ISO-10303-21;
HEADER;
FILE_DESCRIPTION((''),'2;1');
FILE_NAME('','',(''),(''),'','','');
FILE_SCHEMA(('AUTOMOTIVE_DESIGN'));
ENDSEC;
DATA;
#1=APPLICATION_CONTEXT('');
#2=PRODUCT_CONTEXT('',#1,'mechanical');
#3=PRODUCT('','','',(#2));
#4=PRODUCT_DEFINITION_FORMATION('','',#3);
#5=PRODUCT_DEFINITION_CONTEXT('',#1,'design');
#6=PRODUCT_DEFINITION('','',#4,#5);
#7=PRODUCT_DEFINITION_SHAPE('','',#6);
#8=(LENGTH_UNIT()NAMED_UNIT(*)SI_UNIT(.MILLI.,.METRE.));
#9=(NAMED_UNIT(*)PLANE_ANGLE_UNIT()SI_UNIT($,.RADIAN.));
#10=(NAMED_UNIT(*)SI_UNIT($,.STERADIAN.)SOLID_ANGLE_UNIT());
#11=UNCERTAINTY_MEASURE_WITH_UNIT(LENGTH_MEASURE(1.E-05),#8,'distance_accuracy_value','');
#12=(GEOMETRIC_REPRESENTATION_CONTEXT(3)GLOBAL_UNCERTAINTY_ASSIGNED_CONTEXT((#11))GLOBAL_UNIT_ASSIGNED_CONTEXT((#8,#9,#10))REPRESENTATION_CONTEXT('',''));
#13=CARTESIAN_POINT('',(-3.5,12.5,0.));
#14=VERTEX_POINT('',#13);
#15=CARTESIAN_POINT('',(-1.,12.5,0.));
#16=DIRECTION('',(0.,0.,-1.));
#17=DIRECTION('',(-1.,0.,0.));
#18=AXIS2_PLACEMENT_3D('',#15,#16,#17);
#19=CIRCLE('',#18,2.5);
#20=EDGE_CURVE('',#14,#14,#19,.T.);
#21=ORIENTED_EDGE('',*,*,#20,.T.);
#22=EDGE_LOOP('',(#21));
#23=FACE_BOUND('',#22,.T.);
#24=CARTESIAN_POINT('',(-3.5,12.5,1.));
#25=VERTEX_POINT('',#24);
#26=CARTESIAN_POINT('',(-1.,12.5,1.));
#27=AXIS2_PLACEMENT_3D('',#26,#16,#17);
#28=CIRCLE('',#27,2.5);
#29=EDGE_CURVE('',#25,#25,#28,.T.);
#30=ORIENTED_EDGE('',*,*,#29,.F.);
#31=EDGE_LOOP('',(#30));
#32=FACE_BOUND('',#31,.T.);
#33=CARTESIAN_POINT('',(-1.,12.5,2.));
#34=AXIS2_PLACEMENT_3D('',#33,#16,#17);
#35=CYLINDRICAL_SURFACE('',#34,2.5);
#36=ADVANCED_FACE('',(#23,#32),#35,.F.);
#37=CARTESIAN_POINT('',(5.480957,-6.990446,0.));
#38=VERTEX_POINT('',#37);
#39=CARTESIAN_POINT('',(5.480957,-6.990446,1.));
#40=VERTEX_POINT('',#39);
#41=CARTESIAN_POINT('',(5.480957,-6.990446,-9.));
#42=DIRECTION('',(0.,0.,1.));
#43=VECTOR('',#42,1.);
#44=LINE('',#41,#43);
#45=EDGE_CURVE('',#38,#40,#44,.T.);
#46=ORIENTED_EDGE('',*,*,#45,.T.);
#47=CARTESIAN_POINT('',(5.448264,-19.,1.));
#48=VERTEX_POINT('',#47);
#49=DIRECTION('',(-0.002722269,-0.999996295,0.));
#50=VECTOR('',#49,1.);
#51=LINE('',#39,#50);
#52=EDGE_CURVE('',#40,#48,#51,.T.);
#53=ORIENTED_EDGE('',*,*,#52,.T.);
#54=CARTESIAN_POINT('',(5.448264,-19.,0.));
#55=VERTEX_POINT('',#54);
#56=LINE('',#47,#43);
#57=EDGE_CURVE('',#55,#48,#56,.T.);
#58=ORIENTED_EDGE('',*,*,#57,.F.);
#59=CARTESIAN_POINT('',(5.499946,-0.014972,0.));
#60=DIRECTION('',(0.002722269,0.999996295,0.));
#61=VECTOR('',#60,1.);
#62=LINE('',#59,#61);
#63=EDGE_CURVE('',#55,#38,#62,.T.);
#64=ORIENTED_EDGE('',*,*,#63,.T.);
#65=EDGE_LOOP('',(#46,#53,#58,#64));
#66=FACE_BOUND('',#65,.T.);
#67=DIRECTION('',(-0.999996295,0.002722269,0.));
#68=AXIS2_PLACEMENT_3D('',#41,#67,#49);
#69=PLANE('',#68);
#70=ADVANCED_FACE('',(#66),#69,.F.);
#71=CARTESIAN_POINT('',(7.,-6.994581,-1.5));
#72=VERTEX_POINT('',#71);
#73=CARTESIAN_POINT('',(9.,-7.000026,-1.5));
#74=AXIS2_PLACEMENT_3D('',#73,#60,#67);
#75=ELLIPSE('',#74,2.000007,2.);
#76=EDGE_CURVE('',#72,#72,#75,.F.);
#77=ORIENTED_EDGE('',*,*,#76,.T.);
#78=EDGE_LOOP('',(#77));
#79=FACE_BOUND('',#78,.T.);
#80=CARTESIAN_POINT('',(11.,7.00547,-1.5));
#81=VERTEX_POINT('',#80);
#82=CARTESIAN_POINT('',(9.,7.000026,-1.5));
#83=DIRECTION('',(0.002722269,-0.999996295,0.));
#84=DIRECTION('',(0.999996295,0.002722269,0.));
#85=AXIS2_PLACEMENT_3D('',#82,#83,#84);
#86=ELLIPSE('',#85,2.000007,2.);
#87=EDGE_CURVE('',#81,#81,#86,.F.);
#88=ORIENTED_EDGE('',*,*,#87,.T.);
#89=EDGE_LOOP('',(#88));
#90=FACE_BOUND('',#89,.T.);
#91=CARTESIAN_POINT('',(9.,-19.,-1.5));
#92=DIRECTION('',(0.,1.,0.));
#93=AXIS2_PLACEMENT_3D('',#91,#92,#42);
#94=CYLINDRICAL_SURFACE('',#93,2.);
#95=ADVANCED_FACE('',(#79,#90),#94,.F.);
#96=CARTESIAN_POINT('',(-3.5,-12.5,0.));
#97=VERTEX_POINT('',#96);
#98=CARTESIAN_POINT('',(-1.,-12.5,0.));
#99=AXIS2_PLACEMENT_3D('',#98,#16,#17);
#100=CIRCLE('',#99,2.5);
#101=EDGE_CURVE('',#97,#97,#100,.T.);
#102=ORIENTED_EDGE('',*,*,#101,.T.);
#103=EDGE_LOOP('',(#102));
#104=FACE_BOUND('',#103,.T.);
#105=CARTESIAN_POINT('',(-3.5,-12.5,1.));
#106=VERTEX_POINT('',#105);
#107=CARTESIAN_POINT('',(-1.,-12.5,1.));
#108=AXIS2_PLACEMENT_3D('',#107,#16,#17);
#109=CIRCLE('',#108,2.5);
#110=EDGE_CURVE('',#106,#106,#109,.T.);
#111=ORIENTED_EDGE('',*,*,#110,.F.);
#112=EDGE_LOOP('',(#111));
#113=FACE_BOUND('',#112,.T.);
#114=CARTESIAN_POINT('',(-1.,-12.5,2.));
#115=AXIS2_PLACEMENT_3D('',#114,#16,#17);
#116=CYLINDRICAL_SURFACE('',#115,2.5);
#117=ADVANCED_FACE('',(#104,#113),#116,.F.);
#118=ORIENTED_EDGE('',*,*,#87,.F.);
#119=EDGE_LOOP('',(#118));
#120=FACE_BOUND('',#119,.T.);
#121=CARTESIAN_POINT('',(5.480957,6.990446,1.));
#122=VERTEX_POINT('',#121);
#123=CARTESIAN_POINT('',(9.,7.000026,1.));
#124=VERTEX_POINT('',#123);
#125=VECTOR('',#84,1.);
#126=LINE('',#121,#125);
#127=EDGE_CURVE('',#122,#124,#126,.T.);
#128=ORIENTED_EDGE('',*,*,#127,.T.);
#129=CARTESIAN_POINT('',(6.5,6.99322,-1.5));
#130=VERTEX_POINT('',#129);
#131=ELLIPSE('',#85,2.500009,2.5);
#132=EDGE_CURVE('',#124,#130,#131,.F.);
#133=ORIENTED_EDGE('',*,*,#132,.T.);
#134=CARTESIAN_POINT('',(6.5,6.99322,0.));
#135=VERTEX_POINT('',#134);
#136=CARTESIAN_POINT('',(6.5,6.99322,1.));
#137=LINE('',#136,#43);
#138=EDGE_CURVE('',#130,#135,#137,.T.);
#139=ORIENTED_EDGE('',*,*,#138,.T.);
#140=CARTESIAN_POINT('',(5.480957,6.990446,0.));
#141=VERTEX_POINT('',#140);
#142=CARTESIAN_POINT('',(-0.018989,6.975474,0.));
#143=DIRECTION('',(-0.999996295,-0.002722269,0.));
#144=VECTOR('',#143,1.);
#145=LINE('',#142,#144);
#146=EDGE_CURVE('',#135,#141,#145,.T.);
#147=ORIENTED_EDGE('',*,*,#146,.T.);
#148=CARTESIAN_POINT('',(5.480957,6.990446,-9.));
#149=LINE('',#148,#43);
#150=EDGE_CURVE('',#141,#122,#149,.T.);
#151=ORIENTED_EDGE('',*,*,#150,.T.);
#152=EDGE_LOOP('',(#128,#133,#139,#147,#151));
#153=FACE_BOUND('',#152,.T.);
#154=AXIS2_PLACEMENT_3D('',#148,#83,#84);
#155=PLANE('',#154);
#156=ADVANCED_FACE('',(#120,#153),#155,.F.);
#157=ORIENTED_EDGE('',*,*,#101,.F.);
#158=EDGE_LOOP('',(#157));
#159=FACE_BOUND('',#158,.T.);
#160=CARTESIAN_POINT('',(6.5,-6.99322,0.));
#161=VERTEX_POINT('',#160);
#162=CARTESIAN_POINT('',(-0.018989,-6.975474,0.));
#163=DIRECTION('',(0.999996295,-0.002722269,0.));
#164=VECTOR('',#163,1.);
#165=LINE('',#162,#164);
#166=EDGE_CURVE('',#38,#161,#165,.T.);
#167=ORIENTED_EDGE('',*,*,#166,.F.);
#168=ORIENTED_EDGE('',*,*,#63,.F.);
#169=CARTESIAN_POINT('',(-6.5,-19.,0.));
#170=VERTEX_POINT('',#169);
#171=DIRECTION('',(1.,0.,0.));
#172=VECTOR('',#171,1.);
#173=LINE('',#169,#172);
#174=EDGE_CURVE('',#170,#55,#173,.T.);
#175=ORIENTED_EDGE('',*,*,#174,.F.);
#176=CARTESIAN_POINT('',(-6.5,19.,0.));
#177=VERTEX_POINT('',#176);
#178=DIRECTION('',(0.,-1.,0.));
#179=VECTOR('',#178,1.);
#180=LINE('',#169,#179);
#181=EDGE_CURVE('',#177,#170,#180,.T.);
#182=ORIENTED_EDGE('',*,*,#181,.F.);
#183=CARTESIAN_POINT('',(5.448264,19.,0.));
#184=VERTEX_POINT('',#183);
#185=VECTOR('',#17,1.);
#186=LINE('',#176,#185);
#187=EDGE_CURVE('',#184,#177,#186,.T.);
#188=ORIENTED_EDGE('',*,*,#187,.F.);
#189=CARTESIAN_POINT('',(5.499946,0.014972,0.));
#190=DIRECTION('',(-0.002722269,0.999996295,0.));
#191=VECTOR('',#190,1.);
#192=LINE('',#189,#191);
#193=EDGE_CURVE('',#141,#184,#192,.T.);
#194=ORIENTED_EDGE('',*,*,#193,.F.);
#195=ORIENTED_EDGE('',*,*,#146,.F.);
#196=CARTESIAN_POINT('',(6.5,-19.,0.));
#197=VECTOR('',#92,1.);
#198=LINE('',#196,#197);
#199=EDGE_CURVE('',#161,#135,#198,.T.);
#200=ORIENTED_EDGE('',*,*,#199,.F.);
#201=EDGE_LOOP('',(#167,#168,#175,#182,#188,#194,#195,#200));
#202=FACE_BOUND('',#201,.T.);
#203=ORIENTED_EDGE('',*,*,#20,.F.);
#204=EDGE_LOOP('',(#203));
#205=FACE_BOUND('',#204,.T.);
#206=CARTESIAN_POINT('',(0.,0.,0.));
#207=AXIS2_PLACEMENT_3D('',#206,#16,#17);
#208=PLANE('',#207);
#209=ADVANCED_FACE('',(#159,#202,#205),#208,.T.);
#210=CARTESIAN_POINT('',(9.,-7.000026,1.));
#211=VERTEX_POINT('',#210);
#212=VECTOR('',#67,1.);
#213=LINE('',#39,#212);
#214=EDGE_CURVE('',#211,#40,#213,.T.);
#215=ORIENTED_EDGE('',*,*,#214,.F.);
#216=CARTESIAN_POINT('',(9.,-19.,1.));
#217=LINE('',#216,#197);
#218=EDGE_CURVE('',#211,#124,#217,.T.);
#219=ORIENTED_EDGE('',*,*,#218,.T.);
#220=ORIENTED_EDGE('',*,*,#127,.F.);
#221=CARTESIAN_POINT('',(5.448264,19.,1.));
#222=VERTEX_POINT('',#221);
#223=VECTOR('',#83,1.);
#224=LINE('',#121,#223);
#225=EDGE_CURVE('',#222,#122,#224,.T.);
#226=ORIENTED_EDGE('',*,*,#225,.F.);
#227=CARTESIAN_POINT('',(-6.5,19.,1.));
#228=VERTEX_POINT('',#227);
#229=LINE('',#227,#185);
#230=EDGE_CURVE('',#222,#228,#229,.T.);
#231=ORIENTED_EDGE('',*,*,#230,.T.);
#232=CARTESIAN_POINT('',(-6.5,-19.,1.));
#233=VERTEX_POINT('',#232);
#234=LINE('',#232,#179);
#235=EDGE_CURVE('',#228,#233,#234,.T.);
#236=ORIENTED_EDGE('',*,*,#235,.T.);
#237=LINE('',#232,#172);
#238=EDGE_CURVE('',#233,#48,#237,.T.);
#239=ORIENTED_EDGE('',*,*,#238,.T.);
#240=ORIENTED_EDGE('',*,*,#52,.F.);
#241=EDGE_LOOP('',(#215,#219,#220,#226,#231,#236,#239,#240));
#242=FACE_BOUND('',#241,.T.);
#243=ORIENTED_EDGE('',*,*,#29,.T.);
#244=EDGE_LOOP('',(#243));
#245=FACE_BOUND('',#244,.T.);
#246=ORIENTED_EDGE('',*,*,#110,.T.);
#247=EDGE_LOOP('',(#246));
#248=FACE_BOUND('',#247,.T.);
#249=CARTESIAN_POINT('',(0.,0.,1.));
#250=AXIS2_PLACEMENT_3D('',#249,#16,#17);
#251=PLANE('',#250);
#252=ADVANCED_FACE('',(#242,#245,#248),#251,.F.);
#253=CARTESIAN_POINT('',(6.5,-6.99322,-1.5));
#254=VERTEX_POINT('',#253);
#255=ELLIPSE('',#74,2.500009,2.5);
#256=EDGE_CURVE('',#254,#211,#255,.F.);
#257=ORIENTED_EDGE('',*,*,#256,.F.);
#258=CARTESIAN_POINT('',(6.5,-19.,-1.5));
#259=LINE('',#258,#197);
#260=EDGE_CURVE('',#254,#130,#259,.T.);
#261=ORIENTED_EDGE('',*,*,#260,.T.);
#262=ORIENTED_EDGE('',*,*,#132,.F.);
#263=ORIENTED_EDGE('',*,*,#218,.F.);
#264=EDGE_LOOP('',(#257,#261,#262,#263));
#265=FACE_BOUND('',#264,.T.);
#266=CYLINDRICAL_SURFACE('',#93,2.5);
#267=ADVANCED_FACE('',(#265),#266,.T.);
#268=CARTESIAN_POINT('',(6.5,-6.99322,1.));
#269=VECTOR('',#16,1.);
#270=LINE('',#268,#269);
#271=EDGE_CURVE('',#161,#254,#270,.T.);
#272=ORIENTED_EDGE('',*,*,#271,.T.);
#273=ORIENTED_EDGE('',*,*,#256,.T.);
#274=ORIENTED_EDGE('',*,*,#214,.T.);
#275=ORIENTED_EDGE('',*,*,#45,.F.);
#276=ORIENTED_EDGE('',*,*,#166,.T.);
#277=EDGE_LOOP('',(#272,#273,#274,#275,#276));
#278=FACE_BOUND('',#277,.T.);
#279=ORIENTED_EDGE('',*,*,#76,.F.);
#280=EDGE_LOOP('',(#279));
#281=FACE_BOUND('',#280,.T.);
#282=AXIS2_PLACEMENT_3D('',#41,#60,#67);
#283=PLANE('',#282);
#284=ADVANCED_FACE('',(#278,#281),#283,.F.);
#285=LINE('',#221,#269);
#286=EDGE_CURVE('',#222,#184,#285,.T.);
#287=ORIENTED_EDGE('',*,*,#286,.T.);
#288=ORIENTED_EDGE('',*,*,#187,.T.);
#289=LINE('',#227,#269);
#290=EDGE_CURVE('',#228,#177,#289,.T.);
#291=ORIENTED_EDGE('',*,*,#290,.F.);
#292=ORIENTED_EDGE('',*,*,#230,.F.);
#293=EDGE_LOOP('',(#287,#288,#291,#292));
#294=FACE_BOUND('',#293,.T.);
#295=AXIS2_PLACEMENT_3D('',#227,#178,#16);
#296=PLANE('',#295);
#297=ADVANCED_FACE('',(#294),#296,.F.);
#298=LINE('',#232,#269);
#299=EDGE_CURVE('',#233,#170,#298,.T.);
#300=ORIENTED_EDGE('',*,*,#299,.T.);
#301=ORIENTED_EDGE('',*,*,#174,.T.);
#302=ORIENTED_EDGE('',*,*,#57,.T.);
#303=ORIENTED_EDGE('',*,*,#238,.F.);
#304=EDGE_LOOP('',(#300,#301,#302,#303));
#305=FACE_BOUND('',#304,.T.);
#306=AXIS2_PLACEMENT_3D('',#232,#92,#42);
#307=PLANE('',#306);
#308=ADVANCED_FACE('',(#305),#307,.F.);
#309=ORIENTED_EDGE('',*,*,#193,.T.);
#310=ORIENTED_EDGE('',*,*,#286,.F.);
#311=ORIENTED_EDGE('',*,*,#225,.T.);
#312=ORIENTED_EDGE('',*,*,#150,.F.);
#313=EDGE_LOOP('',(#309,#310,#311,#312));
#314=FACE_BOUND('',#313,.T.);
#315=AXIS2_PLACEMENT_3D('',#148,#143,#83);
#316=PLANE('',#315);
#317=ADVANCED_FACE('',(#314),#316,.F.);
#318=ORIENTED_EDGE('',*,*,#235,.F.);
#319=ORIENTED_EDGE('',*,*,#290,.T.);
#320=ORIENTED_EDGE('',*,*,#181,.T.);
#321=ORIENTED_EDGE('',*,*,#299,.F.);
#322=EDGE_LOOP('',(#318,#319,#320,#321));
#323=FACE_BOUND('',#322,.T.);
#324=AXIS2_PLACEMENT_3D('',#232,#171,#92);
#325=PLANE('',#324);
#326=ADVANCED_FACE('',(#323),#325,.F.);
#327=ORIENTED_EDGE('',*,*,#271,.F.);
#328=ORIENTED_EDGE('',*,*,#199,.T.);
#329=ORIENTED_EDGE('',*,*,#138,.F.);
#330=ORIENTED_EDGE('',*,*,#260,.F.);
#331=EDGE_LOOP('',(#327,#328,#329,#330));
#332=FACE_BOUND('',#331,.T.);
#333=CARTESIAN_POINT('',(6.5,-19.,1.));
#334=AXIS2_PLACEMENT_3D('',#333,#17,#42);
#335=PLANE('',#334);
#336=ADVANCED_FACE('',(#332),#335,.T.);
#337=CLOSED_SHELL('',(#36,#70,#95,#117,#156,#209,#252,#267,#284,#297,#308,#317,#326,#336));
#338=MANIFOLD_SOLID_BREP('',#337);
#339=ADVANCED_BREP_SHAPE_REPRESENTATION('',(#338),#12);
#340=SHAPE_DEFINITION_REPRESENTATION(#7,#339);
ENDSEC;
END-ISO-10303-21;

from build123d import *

# Parameters (mm, degrees)
SKETCH_1_W          = 13
SKETCH_1_H          = 38
EXTRUDE_1_DEPTH     = 1
SKETCH_2_R          = 2
EXTRUDE_2_DEPTH     = 38
CUT_EXTRUDE_2_DEPTH = 10
SKETCH_4_R          = 2.5
CUT_EXTRUDE_3_DEPTH = 2


with BuildPart() as part:
    # 草图1 → 凸台-拉伸1 (new body)
    with BuildSketch(Plane.XY):
        Rectangle(SKETCH_1_W, SKETCH_1_H)
    extrude(amount=EXTRUDE_1_DEPTH)

    # 草图2 → 凸台-拉伸2 (add)
    with BuildSketch(Plane(origin=(0, 19, 0), x_dir=(1, 0, 0), z_dir=(0, 1, 0))):
        with BuildLine():
            Line((6.5, -1), (9, -1))
            ThreePointArc((9, -1), (10.767766953, 3.267766953), (6.5, 1.5))
            Line((6.5, 1.5), (6.5, -1))
        make_face()
        with Locations((9, 1.5)):
            Circle(SKETCH_2_R, mode=Mode.SUBTRACT)
    extrude(amount=-EXTRUDE_2_DEPTH)

    # 草图3 → 切除-拉伸2 (cut)
    with BuildSketch(Plane.XY.offset(1)):
        Polygon((5.480957084, 6.99044612), (5.442845313, 20.990394244), (12.442819375, 21.00945013), (12.480931146, 7.009502005), align=None)
        Polygon((5.442845313, -20.990394244), (12.442819375, -21.00945013), (12.480931146, -7.009502005), (5.480957084, -6.99044612), align=None)
    extrude(amount=-CUT_EXTRUDE_2_DEPTH, mode=Mode.SUBTRACT)

    # 草图4 → 切除-拉伸3 (cut)
    with BuildSketch(Plane(origin=(0, 0, 0), x_dir=(-1, 0, 0), z_dir=(0, 0, -1))):
        with Locations((1, 12.5)):
            Circle(SKETCH_4_R)
        with Locations((1, -12.5)):
            Circle(SKETCH_4_R)
    extrude(amount=-CUT_EXTRUDE_3_DEPTH, mode=Mode.SUBTRACT)


solid = part.part
